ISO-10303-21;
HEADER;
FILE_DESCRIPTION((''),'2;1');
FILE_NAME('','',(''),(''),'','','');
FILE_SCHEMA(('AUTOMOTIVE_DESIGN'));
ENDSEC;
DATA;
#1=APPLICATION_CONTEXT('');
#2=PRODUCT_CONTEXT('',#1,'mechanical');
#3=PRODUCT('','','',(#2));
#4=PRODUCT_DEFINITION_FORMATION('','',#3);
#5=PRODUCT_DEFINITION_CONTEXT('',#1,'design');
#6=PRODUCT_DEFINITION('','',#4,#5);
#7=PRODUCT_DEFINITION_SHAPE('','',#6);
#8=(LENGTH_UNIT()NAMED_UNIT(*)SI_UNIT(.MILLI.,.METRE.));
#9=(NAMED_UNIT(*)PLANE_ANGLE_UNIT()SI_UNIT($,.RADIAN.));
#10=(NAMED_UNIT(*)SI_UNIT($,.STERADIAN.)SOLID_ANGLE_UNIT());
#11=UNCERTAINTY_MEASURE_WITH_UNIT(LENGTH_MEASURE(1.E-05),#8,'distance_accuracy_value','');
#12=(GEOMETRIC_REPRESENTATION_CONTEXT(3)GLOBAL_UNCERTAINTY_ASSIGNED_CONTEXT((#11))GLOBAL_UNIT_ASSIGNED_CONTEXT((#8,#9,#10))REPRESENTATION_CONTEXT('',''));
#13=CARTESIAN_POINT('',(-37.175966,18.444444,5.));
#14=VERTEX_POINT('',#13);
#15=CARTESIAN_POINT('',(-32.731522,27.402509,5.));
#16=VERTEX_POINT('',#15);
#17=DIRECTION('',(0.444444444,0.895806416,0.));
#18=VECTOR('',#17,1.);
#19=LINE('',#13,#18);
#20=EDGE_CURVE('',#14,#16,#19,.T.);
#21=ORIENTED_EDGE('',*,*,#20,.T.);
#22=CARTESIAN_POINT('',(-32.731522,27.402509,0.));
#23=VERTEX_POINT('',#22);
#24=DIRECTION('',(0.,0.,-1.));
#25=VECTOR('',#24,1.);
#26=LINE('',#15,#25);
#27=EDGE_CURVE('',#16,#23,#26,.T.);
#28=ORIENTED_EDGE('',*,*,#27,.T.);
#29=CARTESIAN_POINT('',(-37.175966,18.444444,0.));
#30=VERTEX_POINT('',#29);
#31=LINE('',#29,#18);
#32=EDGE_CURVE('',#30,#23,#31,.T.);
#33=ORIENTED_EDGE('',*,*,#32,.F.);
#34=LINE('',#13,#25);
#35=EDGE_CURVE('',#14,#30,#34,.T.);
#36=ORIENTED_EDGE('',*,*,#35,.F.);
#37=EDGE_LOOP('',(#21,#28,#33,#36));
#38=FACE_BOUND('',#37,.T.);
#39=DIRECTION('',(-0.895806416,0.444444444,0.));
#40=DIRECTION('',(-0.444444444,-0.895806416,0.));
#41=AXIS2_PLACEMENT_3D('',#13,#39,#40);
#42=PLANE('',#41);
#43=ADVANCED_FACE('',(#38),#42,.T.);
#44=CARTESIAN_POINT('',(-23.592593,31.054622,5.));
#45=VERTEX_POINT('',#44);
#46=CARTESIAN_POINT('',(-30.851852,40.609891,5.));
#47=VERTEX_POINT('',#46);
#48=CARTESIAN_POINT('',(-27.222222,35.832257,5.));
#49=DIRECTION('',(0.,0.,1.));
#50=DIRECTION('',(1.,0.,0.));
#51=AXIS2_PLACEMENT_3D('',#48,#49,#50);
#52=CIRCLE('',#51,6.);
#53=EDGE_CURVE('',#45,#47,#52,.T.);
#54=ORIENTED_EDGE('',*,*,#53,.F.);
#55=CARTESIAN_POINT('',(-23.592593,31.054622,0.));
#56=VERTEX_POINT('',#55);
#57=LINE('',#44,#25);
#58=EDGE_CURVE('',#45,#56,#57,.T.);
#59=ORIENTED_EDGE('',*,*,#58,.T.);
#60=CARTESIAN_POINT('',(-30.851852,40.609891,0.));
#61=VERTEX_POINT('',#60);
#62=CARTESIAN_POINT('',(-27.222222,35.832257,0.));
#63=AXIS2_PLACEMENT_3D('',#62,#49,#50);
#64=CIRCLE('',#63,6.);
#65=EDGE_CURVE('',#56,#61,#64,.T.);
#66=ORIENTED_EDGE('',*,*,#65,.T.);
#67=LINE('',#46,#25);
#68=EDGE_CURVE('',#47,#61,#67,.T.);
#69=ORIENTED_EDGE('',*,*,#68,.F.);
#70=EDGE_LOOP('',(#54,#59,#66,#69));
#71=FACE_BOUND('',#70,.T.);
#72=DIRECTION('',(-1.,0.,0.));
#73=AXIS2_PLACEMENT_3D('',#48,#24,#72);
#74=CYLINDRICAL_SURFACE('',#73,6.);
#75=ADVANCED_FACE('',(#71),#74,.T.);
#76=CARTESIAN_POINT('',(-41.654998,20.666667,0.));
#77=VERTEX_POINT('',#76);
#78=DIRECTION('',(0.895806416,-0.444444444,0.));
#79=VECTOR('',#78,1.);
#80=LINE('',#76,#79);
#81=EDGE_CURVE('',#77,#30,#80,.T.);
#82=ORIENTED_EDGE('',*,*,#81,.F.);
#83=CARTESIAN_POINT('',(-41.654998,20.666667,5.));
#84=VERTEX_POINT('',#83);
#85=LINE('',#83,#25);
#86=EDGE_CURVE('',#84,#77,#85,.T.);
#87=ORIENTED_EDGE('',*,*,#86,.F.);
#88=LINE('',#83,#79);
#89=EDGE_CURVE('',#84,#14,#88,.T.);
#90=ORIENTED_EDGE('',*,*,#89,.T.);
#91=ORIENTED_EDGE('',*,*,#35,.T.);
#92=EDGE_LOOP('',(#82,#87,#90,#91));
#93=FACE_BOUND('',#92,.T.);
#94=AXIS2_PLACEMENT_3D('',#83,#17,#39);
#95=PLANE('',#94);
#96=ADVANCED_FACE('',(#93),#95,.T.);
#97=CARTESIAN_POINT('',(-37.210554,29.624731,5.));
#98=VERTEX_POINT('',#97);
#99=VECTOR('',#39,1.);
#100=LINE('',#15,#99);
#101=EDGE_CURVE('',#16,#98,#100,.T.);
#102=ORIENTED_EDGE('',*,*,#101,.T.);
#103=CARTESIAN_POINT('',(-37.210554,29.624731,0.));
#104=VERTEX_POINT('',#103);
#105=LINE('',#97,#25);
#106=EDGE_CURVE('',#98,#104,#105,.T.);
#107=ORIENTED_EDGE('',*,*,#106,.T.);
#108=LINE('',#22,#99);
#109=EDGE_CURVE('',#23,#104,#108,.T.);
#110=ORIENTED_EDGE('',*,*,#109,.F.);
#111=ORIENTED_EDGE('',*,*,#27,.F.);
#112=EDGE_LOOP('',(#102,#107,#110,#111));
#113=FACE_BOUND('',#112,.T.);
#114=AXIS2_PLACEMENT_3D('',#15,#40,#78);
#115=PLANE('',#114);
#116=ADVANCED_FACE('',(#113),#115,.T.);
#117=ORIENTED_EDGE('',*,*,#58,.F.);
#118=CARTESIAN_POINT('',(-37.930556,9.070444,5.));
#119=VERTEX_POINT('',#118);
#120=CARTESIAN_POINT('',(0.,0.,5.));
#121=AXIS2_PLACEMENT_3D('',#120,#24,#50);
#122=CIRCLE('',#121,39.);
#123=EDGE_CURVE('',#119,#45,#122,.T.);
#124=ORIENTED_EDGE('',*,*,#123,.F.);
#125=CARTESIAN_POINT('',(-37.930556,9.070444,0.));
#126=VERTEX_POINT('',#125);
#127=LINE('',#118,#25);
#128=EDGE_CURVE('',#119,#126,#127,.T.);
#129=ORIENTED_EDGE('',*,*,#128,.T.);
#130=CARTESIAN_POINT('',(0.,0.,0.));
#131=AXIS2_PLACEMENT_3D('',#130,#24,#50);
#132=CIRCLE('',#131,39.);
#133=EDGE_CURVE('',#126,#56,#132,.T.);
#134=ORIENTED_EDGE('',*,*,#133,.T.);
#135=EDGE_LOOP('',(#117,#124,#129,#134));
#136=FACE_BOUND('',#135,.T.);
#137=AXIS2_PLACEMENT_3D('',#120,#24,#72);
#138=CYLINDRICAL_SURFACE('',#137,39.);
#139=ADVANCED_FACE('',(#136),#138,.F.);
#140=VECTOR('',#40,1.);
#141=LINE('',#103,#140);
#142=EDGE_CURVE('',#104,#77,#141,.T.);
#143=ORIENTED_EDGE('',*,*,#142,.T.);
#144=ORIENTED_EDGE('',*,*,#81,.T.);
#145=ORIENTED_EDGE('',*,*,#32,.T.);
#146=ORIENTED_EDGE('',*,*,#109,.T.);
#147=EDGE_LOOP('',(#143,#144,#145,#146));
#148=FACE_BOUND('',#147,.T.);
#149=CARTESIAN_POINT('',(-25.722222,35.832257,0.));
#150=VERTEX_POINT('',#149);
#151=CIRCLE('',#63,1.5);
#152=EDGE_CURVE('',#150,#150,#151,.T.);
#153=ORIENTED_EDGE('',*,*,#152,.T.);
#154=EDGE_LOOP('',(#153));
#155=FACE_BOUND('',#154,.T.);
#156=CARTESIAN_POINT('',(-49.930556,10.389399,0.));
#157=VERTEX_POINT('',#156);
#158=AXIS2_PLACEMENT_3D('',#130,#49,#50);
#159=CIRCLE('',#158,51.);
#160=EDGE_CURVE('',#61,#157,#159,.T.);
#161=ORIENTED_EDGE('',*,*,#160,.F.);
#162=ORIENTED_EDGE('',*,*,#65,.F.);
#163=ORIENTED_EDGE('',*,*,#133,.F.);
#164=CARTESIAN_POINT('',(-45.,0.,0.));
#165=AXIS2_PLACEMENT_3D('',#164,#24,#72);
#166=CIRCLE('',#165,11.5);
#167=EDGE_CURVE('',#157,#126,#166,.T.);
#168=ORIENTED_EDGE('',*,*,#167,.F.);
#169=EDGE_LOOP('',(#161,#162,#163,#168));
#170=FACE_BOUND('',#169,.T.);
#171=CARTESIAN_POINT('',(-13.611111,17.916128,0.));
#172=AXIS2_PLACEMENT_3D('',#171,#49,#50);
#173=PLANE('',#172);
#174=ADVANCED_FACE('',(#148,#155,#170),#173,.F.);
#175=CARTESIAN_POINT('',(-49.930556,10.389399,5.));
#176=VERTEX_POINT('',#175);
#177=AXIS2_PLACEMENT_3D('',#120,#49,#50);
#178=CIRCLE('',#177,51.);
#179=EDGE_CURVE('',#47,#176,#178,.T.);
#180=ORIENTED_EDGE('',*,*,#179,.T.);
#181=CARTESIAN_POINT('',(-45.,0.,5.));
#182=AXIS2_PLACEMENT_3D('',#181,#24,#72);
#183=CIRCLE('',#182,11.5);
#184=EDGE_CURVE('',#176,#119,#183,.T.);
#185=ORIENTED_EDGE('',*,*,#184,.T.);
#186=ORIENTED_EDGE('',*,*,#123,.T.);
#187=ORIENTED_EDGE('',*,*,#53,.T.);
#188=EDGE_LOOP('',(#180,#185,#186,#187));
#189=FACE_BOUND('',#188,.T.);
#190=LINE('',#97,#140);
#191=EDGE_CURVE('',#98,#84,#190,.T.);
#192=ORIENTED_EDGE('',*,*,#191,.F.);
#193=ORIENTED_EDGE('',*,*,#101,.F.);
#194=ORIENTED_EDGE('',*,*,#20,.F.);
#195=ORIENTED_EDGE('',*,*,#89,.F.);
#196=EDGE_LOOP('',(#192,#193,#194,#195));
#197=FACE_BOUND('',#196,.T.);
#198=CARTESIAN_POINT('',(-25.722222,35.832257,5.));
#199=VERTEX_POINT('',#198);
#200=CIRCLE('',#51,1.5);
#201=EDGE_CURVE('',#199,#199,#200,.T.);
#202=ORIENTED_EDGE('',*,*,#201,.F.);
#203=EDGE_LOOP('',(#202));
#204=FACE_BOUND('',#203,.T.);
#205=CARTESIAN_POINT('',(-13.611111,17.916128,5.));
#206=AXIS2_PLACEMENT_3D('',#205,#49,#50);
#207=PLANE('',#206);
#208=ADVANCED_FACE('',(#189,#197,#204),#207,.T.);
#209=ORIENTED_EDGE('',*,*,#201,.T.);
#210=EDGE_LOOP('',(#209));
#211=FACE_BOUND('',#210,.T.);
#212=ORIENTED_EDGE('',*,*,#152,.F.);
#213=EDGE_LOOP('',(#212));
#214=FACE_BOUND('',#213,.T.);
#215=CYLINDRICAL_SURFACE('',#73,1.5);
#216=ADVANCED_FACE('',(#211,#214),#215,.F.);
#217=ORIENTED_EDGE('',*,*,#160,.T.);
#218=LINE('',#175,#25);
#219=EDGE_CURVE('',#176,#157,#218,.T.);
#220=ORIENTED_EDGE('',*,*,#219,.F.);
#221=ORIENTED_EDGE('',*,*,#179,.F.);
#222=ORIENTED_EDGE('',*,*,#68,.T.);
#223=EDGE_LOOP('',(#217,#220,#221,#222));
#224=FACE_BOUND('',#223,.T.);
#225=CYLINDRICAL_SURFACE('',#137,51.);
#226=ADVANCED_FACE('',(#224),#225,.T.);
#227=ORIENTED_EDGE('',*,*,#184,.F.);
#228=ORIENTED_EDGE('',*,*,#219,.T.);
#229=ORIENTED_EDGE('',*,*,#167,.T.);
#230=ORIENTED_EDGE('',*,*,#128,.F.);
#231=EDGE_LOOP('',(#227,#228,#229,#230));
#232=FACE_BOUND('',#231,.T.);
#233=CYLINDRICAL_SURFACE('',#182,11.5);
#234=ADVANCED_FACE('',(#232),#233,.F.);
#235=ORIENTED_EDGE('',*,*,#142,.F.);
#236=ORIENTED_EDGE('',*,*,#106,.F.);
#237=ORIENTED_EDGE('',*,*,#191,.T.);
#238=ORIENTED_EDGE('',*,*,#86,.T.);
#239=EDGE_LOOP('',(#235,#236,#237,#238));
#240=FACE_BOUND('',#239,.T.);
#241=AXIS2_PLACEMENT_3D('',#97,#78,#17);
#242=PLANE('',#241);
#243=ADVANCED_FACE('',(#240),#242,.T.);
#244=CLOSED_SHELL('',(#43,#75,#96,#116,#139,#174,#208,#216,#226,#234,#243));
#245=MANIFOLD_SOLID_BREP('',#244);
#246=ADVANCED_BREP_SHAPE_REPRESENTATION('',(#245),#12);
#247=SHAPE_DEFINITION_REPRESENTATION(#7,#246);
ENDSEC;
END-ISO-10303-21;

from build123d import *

# Parameters (mm, degrees)
ESQUISSE1_R        = 1.5
BOSS_EXTRU_1_DEPTH = 5


with BuildPart() as part:
    # Esquisse1 → Boss.-Extru.1 (new body)
    with BuildSketch(Plane.XY):
        with BuildLine():
            ThreePointArc((-30.851851852, 40.60989088), (-43.125037525, 27.225560389), (-49.930555556, 10.389399497))
            ThreePointArc((-49.930555556, 10.389399497), (-43.743567635, 11.431158196), (-37.930555556, 9.070444049))
            ThreePointArc((-37.930555556, 9.070444049), (-32.666503706, 21.304918109), (-23.592592593, 31.054622438))
            ThreePointArc((-23.592592593, 31.054622438), (-22.444588001, 39.461886289), (-30.851851852, 40.60989088))
        make_face()
        with Locations((-27.222222222, 35.832256659)):
            Circle(ESQUISSE1_R, mode=Mode.SUBTRACT)
        Polygon((-41.654998366, 20.666666667), (-37.175966284, 18.444444444), (-32.731521839, 27.402508609), (-37.210553922, 29.624730831), align=None, mode=Mode.SUBTRACT)
    extrude(amount=BOSS_EXTRU_1_DEPTH)


solid = part.part
